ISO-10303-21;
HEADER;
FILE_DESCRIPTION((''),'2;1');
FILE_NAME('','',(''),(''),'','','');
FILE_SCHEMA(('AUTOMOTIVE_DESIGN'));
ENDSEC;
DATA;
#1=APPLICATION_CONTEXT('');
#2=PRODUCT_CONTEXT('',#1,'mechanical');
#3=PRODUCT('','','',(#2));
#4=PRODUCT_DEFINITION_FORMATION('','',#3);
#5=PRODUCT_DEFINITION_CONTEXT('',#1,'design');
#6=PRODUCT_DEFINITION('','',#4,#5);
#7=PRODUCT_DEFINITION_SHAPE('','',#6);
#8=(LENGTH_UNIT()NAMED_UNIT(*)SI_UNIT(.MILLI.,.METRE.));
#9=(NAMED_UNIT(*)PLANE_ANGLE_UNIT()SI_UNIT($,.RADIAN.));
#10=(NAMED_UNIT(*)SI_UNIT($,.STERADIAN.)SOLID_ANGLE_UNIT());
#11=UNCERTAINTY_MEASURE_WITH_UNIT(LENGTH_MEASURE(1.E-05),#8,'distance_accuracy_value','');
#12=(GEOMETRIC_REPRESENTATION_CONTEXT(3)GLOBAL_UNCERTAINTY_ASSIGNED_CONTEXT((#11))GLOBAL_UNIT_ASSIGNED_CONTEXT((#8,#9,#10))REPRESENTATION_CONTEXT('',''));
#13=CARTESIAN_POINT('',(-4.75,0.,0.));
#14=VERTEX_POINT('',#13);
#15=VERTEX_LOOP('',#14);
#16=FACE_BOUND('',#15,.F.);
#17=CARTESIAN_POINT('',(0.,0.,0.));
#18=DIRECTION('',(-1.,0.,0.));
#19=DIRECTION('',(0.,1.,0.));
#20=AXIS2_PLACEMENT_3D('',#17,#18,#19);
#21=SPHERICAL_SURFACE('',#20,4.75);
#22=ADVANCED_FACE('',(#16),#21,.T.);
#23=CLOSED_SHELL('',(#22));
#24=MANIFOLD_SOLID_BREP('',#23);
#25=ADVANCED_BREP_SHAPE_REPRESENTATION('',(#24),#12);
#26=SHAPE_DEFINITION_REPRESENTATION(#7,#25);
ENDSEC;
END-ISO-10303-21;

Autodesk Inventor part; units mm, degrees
ref_plane "YZ Plane" through (0, 0, 0) normal (1, 0, 0) x (0, 1, 0)
ref_plane "XZ Plane" through (0, 0, 0) normal (0, 1, 0) x (-1, 0, 0)
ref_plane "XY Plane" through (0, 0, 0) normal (0, 0, 1) x (1, 0, 0)
sketch "Szkic1" plane through (0, 0, 0) normal (0, 0, 1) x (1, 0, 0)
  line L0 (-4.75, 0) -> (4.75, 0)
  arc A0 (4.75, 0) -> (-4.75, 0) centre (0, 0) ccw
  dimension "d1" = 90
revolve "Obrót1" add sketch "Szkic1" angle 360 about axis through (-4.75, 0, 0) along (1, 0, 0)
properties part number "Bearing_ball"
